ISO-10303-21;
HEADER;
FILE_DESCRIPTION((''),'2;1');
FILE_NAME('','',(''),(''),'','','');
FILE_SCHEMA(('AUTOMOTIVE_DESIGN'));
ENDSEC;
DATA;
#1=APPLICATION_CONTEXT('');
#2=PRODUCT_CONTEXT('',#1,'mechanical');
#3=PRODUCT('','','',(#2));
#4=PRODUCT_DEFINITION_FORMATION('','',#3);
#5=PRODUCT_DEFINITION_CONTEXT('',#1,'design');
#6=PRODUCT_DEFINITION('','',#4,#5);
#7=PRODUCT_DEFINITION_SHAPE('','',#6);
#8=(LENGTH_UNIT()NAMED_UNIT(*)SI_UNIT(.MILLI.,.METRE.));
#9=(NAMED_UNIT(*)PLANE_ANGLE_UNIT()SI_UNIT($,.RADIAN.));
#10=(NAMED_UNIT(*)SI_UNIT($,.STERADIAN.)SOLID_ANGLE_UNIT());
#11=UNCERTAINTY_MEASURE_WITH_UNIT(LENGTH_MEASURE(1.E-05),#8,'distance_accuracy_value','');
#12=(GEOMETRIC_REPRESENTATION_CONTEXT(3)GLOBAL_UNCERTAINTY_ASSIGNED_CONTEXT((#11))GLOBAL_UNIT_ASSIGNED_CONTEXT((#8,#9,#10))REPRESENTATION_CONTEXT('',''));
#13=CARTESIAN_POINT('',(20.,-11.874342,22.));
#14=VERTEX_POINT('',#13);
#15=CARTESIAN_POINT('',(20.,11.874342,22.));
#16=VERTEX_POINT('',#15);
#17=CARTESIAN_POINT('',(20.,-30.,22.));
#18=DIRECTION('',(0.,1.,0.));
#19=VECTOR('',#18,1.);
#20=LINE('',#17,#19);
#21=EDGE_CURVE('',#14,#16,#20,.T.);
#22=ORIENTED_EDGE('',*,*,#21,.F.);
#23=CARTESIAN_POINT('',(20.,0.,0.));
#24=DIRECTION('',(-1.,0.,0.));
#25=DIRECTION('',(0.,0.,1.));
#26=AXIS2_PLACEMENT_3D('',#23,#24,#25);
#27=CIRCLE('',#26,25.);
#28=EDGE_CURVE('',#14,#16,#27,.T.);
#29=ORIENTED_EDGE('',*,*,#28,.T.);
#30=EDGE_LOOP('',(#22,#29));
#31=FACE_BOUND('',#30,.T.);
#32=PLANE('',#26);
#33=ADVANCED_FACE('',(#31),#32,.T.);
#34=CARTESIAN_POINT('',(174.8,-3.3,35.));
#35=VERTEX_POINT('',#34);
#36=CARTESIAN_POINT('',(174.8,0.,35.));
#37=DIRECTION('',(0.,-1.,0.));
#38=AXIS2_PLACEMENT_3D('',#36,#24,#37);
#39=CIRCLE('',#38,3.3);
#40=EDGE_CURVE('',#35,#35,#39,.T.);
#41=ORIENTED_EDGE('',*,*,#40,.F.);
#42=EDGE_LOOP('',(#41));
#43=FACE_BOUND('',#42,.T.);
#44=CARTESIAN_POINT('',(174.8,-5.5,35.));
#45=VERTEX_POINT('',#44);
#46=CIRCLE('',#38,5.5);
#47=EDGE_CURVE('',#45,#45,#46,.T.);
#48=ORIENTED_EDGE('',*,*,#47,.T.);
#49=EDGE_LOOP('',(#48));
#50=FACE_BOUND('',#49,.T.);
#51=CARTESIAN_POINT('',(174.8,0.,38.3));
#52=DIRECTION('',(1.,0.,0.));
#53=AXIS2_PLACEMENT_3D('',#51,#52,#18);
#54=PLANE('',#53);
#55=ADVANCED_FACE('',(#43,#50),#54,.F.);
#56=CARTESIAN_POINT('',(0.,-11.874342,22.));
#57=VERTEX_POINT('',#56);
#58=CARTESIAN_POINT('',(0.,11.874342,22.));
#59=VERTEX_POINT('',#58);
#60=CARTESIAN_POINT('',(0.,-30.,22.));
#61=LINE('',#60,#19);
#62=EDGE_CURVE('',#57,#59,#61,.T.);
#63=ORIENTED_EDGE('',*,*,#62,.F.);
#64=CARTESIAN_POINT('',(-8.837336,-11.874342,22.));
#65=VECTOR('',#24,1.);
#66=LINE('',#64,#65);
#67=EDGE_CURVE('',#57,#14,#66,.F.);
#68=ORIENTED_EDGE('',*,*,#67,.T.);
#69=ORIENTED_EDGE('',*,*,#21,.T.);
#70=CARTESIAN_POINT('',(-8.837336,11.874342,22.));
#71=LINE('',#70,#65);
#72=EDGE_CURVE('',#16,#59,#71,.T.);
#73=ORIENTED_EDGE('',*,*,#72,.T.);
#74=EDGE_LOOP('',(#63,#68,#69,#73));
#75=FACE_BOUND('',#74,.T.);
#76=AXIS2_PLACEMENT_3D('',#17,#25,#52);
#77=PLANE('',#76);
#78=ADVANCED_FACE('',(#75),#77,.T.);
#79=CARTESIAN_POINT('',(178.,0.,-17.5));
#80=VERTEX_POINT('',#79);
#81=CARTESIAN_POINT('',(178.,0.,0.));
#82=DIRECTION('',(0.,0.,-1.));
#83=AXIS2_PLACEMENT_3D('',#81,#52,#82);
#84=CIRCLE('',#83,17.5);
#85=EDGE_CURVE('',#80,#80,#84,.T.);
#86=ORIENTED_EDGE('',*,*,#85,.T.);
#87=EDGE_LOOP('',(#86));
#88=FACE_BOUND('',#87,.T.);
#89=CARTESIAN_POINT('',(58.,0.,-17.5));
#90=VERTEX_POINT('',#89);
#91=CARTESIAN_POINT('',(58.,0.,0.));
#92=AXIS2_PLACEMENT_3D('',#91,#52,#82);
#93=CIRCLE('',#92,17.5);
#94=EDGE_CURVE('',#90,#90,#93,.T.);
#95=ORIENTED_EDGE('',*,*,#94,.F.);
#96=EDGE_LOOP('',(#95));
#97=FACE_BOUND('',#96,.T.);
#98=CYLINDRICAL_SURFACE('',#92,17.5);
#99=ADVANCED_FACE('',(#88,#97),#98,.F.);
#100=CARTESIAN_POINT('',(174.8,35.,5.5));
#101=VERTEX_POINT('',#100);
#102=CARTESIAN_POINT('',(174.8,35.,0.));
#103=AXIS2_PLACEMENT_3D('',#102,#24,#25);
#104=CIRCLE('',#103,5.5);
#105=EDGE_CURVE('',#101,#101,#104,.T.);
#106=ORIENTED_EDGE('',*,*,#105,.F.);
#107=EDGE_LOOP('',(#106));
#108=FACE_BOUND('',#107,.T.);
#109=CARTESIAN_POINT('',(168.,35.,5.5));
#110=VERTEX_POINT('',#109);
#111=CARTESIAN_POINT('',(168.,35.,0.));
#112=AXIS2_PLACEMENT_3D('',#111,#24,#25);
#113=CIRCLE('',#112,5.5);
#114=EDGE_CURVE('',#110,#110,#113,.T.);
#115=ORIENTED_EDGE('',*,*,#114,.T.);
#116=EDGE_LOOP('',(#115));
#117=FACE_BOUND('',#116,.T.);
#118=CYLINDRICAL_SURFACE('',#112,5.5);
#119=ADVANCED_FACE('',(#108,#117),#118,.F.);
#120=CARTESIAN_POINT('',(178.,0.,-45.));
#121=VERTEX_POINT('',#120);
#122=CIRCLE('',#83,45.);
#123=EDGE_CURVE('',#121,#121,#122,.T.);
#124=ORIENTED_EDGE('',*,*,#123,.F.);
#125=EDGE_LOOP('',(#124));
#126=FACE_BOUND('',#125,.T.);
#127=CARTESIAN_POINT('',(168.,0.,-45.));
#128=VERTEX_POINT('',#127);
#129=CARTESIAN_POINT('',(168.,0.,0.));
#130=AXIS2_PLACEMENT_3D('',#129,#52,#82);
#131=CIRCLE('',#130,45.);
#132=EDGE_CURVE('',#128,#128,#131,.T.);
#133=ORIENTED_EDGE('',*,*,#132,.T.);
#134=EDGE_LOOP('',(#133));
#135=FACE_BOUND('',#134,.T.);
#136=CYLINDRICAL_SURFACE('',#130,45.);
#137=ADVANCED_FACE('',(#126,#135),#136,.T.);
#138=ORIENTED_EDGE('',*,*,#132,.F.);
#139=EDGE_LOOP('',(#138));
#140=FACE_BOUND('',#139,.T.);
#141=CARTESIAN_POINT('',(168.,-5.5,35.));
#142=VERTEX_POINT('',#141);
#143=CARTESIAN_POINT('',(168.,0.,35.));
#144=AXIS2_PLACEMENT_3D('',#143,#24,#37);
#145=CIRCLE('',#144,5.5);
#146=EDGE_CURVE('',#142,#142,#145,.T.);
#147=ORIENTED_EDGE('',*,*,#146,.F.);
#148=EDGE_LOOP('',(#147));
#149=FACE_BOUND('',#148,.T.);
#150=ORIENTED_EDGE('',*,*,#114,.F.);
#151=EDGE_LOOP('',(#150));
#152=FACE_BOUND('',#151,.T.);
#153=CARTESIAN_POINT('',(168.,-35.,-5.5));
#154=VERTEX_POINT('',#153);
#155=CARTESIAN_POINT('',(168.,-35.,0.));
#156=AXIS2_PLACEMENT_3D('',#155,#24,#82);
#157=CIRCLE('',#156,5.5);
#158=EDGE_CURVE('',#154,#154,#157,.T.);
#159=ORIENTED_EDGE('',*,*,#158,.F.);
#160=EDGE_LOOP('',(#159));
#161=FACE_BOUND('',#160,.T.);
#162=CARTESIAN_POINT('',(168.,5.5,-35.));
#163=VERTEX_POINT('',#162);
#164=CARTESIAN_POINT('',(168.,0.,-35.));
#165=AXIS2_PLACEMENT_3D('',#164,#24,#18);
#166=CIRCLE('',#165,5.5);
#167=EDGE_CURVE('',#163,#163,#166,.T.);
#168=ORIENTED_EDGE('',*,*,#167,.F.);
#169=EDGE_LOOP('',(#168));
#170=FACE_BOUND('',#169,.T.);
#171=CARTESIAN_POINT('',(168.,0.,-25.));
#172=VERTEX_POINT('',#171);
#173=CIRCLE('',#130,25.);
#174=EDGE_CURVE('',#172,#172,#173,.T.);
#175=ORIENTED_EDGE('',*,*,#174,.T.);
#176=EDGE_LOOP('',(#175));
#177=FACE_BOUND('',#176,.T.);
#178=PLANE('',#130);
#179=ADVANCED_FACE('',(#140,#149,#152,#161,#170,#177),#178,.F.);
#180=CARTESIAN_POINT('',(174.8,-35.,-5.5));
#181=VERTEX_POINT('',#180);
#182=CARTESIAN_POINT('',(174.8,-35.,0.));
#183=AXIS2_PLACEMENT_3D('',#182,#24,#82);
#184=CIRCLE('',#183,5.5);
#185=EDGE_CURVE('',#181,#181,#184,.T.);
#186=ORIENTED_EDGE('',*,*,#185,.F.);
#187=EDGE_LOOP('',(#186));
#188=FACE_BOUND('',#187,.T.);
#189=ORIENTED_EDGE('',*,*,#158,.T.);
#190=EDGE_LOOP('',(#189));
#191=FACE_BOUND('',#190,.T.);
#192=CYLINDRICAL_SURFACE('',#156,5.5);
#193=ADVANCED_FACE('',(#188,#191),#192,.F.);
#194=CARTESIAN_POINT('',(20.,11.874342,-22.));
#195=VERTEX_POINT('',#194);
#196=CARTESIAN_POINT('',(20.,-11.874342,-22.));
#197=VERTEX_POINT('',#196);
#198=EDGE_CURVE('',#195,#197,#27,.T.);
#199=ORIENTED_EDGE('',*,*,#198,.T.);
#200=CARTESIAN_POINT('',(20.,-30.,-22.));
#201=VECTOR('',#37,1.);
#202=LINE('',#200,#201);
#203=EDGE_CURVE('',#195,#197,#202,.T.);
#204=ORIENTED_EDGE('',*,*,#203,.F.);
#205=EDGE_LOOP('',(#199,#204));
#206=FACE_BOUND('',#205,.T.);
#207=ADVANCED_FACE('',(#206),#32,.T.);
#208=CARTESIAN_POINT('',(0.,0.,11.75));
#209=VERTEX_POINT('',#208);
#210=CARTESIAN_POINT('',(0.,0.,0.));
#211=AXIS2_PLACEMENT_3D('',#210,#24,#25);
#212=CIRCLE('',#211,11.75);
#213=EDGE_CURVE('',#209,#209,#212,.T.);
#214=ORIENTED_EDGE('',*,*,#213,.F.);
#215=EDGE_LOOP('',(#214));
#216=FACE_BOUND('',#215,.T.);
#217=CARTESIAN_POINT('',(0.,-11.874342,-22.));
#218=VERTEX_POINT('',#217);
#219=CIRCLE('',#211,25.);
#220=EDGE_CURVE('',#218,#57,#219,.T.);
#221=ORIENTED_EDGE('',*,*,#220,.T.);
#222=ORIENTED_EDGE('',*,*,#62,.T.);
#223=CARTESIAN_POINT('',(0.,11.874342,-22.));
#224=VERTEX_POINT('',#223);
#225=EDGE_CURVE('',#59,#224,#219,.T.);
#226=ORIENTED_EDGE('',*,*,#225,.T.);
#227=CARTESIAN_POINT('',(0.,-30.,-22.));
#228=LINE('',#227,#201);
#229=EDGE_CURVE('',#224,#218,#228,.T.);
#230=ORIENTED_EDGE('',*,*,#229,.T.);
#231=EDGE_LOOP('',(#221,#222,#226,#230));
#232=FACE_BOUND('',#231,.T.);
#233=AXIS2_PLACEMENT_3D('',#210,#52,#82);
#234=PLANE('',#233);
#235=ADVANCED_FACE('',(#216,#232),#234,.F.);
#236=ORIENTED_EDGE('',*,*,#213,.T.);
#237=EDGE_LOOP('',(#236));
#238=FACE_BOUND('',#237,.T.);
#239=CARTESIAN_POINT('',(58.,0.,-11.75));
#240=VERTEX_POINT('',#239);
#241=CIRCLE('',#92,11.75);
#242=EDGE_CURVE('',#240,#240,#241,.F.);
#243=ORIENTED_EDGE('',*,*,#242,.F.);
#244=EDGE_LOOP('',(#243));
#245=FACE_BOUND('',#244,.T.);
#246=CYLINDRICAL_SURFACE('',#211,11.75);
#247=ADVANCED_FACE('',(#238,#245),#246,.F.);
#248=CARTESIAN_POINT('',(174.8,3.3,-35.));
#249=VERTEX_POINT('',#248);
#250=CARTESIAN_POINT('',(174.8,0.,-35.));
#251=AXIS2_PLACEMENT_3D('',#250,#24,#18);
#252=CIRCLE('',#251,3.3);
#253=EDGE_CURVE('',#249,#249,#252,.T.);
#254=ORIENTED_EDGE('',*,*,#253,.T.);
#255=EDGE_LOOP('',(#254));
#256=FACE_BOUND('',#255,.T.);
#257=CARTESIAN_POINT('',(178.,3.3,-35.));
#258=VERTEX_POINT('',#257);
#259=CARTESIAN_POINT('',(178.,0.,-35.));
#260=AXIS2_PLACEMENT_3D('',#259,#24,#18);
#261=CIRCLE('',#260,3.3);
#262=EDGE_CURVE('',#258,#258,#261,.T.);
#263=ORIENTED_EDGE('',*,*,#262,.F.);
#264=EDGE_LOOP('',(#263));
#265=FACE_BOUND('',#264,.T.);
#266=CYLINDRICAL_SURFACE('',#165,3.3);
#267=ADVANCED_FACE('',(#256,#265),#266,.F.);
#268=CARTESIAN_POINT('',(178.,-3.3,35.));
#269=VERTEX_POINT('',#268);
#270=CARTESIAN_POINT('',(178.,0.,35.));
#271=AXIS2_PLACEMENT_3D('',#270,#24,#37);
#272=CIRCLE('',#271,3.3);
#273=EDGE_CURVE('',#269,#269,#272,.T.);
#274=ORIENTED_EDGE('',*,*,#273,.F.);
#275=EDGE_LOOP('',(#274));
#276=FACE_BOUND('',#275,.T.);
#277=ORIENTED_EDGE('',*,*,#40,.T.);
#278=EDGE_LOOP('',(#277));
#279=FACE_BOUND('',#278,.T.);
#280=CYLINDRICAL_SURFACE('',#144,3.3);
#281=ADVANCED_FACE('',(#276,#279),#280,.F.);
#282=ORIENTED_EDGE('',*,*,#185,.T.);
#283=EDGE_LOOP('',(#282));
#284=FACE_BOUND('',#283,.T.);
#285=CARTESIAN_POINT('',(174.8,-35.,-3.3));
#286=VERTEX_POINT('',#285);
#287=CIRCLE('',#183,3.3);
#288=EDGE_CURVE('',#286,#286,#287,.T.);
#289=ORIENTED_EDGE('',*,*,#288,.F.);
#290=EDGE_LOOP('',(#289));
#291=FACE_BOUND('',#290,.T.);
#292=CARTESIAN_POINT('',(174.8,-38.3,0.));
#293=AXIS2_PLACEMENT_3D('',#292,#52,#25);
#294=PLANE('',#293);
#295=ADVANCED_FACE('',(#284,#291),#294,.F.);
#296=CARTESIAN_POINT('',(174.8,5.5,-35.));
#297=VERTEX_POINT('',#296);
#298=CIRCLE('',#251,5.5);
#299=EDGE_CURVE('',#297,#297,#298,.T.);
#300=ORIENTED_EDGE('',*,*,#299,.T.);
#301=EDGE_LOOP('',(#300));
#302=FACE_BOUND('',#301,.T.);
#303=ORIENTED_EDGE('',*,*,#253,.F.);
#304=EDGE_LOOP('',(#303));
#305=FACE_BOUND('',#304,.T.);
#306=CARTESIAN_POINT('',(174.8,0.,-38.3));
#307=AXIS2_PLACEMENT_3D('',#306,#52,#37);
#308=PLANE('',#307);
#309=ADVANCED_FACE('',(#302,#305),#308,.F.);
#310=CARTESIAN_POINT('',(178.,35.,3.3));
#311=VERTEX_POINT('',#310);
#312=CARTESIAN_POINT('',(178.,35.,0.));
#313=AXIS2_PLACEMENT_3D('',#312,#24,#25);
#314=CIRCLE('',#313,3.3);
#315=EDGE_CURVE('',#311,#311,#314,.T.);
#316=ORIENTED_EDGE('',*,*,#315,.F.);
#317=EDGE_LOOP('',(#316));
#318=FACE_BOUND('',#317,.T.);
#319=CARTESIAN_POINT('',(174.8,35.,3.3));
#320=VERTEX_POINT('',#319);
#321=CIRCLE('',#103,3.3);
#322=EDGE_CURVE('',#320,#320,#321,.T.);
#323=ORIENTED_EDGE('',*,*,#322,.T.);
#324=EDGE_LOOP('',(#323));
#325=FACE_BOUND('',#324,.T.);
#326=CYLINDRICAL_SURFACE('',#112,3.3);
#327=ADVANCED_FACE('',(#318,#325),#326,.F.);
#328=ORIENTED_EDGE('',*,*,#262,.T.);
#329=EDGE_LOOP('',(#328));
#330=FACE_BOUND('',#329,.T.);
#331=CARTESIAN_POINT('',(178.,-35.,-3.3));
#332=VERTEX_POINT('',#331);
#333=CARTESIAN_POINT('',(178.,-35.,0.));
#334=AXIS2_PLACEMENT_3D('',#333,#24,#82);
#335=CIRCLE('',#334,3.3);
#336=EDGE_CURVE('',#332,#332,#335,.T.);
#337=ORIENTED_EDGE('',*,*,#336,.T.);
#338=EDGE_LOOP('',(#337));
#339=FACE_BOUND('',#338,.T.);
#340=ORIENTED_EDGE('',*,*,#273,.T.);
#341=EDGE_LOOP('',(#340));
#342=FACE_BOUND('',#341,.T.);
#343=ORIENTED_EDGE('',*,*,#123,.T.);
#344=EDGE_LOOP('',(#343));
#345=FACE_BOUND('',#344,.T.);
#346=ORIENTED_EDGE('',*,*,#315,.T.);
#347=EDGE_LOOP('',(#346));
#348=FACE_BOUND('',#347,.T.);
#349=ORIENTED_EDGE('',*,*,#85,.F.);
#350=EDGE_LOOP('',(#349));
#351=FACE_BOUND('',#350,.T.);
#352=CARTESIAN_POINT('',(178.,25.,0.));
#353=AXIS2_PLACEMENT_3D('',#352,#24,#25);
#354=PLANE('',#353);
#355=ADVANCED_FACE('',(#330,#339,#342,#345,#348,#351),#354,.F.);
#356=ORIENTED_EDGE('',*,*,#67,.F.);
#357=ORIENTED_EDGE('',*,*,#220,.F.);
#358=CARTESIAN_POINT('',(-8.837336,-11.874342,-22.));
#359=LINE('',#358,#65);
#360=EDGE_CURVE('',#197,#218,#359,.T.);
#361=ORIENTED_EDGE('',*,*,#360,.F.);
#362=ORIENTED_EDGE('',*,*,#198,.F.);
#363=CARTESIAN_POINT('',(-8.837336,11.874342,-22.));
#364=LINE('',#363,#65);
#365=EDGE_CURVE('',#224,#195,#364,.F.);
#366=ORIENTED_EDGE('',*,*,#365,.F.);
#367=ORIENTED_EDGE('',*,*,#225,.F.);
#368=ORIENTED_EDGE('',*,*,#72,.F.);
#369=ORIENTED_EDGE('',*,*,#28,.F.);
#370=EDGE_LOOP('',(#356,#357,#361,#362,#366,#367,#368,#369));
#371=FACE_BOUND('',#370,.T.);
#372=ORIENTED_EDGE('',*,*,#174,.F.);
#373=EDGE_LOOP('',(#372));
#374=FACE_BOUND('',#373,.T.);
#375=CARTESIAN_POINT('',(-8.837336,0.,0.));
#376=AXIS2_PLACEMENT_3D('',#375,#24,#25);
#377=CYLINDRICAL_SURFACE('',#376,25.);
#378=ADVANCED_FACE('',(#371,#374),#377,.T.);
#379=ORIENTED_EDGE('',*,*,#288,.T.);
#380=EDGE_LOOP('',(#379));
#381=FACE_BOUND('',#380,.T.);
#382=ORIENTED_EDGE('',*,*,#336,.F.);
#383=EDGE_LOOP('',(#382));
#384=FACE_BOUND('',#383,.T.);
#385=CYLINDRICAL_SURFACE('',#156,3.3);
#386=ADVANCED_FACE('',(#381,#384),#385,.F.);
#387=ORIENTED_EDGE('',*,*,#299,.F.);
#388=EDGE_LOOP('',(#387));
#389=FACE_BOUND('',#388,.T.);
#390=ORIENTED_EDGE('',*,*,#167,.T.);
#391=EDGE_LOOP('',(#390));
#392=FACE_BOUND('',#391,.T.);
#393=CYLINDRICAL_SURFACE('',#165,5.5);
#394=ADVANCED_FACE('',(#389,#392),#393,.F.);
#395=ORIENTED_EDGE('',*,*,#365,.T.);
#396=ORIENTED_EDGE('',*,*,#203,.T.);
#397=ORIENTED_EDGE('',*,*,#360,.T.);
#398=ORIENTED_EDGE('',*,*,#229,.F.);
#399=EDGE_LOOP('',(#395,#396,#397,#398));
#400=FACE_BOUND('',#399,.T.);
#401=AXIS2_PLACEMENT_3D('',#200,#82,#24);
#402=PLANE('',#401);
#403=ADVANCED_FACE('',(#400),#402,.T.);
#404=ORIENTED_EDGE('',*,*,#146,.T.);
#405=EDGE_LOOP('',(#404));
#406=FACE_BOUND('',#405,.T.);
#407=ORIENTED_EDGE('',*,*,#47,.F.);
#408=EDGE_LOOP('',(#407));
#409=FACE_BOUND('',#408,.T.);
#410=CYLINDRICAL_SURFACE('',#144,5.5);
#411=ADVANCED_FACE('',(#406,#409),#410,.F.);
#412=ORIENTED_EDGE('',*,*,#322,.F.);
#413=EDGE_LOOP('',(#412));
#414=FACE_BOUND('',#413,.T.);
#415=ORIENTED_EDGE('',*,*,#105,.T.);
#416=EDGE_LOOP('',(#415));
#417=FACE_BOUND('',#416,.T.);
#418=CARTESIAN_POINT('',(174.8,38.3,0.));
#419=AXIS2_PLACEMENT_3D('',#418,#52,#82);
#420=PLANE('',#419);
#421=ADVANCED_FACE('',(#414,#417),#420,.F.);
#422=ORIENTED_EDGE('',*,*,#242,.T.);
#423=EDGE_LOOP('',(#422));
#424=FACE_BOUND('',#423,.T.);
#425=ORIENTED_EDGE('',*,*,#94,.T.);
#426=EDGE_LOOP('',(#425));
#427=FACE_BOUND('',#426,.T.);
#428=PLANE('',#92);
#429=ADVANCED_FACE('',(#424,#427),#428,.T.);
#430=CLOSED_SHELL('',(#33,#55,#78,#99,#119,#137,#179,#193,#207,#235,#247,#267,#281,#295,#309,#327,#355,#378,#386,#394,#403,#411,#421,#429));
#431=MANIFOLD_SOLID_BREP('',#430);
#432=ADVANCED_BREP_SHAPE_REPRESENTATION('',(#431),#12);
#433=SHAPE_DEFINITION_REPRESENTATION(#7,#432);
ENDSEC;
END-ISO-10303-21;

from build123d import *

# Parameters (mm, degrees)
SKETCH_1_W                = 178
SKETCH_1_H                = 25
SKETCH_6_OUTSIDE_W        = 90.306
SKETCH_6_OUTSIDE_H        = 90.306
SKETCH_6_OUTSIDE_W_2      = 44
SKETCH_6_OUTSIDE_H_2      = 60
CUT_EXTRUDE_1_DEPTH       = 20
M26X1_5_2_D               = 23.5
SKETCH_10_R               = 45
SKETCH_10_R_2             = 25
EXTRUDE_1_DEPTH           = 10
HOLE_WIZARD_1_D           = 6.6
HOLE_WIZARD_1_CBORE_D     = 11
HOLE_WIZARD_1_CBORE_DEPTH = 6.8
PATTERN_CIRCULAR_1_COUNT  = 4
SKETCH_14_R               = 17.5
CUT_EXTRUDE_2_DEPTH       = 120


with BuildPart() as part:
    # 草图1 → 旋转1 (revolve)
    with BuildSketch(Plane.XY):
        with Locations((89, 12.5)):
            Rectangle(SKETCH_1_W, SKETCH_1_H)
    revolve(axis=Axis((-8.837336018, 0, 0), (1, 0, 0)))

    # 草图6 outside → 切除-拉伸1 (cut)
    with BuildSketch(Plane.ZY):
        Rectangle(SKETCH_6_OUTSIDE_W, SKETCH_6_OUTSIDE_H)
        Rectangle(SKETCH_6_OUTSIDE_W_2, SKETCH_6_OUTSIDE_H_2, mode=Mode.SUBTRACT)
    extrude(amount=-CUT_EXTRUDE_1_DEPTH, mode=Mode.SUBTRACT)

    # M26x1.5螺纹孔2 (through all)
    with Locations(Plane.ZY):
        with Locations((0, 0)):
            Hole(M26X1_5_2_D / 2)

    # 草图10 → 凸台-拉伸1 (add)
    with BuildSketch(Plane(origin=(178, 0, 0), x_dir=(0, 0, -1), z_dir=(1, 0, 0))):
        Circle(SKETCH_10_R)
        Circle(SKETCH_10_R_2, mode=Mode.SUBTRACT)
    extrude(amount=-EXTRUDE_1_DEPTH)

    # 打孔尺寸(%根据)内六角圆柱头螺钉的类型1 (through all)
    with Locations(Plane(origin=(168, 35, 0), x_dir=(0, 0, -1), z_dir=(-1, 0, 0))):
        with Locations((0, 0)):
            hole_wizard_1 = CounterBoreHole(HOLE_WIZARD_1_D / 2, HOLE_WIZARD_1_CBORE_D / 2, HOLE_WIZARD_1_CBORE_DEPTH)

    # 阵列(圆周)1: 打孔尺寸(%根据)内六角圆柱头螺钉的类型1 ×4 about axis
    pattern_circular_1_axis = Axis((0, 0, 0), (1, 0, 0))
    for i in range(1, PATTERN_CIRCULAR_1_COUNT):
        add(hole_wizard_1.rotate(pattern_circular_1_axis, i * 360 / PATTERN_CIRCULAR_1_COUNT), mode=Mode.SUBTRACT)

    # 草图14 → 切除-拉伸2 (cut)
    with BuildSketch(Plane(origin=(178, 0, 0), x_dir=(0, 0, -1), z_dir=(1, 0, 0))):
        Circle(SKETCH_14_R)
    extrude(amount=-CUT_EXTRUDE_2_DEPTH, mode=Mode.SUBTRACT)


solid = part.part
